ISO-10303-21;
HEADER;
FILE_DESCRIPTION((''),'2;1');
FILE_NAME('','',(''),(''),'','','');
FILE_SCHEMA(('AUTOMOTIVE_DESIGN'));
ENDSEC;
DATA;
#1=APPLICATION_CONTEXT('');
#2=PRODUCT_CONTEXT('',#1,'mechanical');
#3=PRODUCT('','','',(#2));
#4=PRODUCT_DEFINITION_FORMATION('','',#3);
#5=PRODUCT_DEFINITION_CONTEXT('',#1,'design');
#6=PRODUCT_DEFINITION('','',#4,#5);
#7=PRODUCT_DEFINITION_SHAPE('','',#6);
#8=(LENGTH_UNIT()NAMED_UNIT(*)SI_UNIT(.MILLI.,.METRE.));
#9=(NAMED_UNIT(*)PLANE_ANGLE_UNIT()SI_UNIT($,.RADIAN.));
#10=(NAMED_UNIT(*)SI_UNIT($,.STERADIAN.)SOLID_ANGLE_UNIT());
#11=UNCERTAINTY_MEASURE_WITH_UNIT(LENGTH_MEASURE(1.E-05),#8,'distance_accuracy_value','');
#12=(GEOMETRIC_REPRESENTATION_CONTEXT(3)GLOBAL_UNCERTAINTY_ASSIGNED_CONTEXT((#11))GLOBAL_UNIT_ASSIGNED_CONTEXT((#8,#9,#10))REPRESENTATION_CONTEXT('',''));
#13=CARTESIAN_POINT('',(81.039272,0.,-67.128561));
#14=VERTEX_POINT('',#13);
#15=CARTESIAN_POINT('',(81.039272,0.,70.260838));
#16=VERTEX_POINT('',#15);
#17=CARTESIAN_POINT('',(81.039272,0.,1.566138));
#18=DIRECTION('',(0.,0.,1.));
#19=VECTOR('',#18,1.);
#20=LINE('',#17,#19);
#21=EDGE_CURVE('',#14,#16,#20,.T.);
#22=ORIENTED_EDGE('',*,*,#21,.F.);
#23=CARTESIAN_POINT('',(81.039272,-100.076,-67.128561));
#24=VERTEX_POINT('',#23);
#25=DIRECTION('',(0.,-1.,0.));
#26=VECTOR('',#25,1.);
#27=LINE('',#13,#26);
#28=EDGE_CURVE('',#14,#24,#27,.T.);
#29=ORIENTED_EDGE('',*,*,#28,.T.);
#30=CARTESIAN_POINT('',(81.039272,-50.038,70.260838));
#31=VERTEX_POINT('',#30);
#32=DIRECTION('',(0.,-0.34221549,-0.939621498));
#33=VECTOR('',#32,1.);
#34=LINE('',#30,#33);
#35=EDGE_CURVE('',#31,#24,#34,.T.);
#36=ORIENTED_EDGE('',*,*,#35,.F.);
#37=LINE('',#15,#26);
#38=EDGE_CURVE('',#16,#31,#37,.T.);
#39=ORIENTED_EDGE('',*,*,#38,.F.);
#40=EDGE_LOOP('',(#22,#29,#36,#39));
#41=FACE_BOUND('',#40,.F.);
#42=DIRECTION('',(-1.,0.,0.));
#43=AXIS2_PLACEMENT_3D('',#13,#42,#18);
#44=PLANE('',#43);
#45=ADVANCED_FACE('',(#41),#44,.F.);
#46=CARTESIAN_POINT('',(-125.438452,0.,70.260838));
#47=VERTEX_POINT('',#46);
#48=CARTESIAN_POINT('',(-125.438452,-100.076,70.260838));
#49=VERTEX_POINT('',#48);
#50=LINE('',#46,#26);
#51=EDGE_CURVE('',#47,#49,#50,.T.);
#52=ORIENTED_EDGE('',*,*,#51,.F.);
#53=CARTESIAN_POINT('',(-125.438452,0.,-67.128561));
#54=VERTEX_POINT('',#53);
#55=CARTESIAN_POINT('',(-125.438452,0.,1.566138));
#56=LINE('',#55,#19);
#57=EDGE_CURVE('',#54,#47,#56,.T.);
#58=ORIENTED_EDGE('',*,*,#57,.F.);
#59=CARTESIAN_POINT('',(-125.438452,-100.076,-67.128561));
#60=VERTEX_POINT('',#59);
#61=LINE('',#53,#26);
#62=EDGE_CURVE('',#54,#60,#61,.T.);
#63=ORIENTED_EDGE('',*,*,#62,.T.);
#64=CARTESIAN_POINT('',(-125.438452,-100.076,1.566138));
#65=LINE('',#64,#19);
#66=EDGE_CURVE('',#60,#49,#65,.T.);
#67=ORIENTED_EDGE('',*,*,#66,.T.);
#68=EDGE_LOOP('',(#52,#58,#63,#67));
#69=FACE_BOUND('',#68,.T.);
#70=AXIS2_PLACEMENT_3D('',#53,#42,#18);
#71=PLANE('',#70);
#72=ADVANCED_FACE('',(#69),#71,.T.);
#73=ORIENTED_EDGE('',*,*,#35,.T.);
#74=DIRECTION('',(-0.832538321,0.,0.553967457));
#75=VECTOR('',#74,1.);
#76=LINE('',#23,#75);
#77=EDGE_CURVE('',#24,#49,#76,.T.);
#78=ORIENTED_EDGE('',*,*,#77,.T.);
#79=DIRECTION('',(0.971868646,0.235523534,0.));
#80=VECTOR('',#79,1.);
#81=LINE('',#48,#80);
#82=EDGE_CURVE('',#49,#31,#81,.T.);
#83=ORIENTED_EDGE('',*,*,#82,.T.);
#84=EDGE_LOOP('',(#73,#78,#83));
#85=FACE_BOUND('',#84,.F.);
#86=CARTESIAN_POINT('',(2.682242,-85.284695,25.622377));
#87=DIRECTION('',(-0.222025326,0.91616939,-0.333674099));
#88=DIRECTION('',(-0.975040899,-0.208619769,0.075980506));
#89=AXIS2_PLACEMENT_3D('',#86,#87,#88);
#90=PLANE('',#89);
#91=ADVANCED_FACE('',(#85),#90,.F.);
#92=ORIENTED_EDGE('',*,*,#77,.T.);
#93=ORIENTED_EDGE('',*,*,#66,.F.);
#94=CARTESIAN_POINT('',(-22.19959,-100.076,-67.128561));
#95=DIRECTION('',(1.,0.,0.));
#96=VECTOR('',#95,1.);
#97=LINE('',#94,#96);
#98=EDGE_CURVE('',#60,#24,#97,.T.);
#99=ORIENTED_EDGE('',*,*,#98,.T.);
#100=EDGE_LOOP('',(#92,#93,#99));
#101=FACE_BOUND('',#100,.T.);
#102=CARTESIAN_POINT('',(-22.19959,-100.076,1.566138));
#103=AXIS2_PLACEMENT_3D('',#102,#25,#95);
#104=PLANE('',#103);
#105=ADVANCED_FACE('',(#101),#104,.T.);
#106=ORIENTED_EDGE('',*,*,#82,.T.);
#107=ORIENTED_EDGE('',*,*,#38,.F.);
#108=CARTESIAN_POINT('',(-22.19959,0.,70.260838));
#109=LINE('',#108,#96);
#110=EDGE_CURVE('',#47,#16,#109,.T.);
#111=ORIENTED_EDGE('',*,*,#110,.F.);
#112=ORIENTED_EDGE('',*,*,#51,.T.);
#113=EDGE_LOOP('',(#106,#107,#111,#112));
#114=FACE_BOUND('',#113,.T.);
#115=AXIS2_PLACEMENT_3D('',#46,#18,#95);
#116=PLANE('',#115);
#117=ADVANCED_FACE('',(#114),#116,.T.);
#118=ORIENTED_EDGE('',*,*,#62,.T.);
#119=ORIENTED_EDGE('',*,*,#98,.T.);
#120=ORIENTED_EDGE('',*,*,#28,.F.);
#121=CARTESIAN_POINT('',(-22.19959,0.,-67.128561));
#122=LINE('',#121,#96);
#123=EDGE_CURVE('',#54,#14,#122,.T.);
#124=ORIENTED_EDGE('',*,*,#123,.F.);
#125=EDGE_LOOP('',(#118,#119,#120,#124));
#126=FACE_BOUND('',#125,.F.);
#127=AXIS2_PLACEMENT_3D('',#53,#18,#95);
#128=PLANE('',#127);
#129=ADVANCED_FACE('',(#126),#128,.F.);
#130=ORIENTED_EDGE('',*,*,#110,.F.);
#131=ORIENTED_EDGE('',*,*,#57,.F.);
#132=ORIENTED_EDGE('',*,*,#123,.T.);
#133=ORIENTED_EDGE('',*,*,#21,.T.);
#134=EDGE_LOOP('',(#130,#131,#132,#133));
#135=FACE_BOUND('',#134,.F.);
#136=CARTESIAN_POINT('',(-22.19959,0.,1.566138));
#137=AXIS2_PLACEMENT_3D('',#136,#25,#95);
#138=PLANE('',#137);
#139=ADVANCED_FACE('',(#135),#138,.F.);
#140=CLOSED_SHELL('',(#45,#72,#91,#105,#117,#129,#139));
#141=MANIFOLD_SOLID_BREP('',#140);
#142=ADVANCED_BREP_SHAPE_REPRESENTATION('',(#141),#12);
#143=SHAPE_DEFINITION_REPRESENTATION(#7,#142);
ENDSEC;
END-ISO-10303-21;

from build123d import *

# Parameters (mm, degrees)
F0_W     = 206.4777240157
F0_H     = 137.3893991113
F1_DEPTH = 100.076
F5_DEPTH = 45.8442839212


with BuildPart() as f1:
    # F0 (on Front) → F1 (new body)
    with BuildSketch(Plane.XZ):
        with Locations((-22.1995897591, 1.5661381185)):
            Rectangle(F0_W, F0_H)
    extrude(amount=F1_DEPTH)

    # F4 (on 3pt) → F5 (cut, through all)
    with BuildSketch(Plane(origin=(19.3784317983, -79.9635175807, 29.1231675703), x_dir=(-0.975040899, -0.208619769, 0.0759805056), z_dir=(-0.2220253257, 0.9161693897, -0.3336740987))):
        Polygon((-63.2392349005, 48.8948148407), (-63.2392349005, -97.3229967698), (148.5239067524, 31.7710361682), align=None)
    extrude(amount=-F5_DEPTH, mode=Mode.SUBTRACT)


solid = f1.part
